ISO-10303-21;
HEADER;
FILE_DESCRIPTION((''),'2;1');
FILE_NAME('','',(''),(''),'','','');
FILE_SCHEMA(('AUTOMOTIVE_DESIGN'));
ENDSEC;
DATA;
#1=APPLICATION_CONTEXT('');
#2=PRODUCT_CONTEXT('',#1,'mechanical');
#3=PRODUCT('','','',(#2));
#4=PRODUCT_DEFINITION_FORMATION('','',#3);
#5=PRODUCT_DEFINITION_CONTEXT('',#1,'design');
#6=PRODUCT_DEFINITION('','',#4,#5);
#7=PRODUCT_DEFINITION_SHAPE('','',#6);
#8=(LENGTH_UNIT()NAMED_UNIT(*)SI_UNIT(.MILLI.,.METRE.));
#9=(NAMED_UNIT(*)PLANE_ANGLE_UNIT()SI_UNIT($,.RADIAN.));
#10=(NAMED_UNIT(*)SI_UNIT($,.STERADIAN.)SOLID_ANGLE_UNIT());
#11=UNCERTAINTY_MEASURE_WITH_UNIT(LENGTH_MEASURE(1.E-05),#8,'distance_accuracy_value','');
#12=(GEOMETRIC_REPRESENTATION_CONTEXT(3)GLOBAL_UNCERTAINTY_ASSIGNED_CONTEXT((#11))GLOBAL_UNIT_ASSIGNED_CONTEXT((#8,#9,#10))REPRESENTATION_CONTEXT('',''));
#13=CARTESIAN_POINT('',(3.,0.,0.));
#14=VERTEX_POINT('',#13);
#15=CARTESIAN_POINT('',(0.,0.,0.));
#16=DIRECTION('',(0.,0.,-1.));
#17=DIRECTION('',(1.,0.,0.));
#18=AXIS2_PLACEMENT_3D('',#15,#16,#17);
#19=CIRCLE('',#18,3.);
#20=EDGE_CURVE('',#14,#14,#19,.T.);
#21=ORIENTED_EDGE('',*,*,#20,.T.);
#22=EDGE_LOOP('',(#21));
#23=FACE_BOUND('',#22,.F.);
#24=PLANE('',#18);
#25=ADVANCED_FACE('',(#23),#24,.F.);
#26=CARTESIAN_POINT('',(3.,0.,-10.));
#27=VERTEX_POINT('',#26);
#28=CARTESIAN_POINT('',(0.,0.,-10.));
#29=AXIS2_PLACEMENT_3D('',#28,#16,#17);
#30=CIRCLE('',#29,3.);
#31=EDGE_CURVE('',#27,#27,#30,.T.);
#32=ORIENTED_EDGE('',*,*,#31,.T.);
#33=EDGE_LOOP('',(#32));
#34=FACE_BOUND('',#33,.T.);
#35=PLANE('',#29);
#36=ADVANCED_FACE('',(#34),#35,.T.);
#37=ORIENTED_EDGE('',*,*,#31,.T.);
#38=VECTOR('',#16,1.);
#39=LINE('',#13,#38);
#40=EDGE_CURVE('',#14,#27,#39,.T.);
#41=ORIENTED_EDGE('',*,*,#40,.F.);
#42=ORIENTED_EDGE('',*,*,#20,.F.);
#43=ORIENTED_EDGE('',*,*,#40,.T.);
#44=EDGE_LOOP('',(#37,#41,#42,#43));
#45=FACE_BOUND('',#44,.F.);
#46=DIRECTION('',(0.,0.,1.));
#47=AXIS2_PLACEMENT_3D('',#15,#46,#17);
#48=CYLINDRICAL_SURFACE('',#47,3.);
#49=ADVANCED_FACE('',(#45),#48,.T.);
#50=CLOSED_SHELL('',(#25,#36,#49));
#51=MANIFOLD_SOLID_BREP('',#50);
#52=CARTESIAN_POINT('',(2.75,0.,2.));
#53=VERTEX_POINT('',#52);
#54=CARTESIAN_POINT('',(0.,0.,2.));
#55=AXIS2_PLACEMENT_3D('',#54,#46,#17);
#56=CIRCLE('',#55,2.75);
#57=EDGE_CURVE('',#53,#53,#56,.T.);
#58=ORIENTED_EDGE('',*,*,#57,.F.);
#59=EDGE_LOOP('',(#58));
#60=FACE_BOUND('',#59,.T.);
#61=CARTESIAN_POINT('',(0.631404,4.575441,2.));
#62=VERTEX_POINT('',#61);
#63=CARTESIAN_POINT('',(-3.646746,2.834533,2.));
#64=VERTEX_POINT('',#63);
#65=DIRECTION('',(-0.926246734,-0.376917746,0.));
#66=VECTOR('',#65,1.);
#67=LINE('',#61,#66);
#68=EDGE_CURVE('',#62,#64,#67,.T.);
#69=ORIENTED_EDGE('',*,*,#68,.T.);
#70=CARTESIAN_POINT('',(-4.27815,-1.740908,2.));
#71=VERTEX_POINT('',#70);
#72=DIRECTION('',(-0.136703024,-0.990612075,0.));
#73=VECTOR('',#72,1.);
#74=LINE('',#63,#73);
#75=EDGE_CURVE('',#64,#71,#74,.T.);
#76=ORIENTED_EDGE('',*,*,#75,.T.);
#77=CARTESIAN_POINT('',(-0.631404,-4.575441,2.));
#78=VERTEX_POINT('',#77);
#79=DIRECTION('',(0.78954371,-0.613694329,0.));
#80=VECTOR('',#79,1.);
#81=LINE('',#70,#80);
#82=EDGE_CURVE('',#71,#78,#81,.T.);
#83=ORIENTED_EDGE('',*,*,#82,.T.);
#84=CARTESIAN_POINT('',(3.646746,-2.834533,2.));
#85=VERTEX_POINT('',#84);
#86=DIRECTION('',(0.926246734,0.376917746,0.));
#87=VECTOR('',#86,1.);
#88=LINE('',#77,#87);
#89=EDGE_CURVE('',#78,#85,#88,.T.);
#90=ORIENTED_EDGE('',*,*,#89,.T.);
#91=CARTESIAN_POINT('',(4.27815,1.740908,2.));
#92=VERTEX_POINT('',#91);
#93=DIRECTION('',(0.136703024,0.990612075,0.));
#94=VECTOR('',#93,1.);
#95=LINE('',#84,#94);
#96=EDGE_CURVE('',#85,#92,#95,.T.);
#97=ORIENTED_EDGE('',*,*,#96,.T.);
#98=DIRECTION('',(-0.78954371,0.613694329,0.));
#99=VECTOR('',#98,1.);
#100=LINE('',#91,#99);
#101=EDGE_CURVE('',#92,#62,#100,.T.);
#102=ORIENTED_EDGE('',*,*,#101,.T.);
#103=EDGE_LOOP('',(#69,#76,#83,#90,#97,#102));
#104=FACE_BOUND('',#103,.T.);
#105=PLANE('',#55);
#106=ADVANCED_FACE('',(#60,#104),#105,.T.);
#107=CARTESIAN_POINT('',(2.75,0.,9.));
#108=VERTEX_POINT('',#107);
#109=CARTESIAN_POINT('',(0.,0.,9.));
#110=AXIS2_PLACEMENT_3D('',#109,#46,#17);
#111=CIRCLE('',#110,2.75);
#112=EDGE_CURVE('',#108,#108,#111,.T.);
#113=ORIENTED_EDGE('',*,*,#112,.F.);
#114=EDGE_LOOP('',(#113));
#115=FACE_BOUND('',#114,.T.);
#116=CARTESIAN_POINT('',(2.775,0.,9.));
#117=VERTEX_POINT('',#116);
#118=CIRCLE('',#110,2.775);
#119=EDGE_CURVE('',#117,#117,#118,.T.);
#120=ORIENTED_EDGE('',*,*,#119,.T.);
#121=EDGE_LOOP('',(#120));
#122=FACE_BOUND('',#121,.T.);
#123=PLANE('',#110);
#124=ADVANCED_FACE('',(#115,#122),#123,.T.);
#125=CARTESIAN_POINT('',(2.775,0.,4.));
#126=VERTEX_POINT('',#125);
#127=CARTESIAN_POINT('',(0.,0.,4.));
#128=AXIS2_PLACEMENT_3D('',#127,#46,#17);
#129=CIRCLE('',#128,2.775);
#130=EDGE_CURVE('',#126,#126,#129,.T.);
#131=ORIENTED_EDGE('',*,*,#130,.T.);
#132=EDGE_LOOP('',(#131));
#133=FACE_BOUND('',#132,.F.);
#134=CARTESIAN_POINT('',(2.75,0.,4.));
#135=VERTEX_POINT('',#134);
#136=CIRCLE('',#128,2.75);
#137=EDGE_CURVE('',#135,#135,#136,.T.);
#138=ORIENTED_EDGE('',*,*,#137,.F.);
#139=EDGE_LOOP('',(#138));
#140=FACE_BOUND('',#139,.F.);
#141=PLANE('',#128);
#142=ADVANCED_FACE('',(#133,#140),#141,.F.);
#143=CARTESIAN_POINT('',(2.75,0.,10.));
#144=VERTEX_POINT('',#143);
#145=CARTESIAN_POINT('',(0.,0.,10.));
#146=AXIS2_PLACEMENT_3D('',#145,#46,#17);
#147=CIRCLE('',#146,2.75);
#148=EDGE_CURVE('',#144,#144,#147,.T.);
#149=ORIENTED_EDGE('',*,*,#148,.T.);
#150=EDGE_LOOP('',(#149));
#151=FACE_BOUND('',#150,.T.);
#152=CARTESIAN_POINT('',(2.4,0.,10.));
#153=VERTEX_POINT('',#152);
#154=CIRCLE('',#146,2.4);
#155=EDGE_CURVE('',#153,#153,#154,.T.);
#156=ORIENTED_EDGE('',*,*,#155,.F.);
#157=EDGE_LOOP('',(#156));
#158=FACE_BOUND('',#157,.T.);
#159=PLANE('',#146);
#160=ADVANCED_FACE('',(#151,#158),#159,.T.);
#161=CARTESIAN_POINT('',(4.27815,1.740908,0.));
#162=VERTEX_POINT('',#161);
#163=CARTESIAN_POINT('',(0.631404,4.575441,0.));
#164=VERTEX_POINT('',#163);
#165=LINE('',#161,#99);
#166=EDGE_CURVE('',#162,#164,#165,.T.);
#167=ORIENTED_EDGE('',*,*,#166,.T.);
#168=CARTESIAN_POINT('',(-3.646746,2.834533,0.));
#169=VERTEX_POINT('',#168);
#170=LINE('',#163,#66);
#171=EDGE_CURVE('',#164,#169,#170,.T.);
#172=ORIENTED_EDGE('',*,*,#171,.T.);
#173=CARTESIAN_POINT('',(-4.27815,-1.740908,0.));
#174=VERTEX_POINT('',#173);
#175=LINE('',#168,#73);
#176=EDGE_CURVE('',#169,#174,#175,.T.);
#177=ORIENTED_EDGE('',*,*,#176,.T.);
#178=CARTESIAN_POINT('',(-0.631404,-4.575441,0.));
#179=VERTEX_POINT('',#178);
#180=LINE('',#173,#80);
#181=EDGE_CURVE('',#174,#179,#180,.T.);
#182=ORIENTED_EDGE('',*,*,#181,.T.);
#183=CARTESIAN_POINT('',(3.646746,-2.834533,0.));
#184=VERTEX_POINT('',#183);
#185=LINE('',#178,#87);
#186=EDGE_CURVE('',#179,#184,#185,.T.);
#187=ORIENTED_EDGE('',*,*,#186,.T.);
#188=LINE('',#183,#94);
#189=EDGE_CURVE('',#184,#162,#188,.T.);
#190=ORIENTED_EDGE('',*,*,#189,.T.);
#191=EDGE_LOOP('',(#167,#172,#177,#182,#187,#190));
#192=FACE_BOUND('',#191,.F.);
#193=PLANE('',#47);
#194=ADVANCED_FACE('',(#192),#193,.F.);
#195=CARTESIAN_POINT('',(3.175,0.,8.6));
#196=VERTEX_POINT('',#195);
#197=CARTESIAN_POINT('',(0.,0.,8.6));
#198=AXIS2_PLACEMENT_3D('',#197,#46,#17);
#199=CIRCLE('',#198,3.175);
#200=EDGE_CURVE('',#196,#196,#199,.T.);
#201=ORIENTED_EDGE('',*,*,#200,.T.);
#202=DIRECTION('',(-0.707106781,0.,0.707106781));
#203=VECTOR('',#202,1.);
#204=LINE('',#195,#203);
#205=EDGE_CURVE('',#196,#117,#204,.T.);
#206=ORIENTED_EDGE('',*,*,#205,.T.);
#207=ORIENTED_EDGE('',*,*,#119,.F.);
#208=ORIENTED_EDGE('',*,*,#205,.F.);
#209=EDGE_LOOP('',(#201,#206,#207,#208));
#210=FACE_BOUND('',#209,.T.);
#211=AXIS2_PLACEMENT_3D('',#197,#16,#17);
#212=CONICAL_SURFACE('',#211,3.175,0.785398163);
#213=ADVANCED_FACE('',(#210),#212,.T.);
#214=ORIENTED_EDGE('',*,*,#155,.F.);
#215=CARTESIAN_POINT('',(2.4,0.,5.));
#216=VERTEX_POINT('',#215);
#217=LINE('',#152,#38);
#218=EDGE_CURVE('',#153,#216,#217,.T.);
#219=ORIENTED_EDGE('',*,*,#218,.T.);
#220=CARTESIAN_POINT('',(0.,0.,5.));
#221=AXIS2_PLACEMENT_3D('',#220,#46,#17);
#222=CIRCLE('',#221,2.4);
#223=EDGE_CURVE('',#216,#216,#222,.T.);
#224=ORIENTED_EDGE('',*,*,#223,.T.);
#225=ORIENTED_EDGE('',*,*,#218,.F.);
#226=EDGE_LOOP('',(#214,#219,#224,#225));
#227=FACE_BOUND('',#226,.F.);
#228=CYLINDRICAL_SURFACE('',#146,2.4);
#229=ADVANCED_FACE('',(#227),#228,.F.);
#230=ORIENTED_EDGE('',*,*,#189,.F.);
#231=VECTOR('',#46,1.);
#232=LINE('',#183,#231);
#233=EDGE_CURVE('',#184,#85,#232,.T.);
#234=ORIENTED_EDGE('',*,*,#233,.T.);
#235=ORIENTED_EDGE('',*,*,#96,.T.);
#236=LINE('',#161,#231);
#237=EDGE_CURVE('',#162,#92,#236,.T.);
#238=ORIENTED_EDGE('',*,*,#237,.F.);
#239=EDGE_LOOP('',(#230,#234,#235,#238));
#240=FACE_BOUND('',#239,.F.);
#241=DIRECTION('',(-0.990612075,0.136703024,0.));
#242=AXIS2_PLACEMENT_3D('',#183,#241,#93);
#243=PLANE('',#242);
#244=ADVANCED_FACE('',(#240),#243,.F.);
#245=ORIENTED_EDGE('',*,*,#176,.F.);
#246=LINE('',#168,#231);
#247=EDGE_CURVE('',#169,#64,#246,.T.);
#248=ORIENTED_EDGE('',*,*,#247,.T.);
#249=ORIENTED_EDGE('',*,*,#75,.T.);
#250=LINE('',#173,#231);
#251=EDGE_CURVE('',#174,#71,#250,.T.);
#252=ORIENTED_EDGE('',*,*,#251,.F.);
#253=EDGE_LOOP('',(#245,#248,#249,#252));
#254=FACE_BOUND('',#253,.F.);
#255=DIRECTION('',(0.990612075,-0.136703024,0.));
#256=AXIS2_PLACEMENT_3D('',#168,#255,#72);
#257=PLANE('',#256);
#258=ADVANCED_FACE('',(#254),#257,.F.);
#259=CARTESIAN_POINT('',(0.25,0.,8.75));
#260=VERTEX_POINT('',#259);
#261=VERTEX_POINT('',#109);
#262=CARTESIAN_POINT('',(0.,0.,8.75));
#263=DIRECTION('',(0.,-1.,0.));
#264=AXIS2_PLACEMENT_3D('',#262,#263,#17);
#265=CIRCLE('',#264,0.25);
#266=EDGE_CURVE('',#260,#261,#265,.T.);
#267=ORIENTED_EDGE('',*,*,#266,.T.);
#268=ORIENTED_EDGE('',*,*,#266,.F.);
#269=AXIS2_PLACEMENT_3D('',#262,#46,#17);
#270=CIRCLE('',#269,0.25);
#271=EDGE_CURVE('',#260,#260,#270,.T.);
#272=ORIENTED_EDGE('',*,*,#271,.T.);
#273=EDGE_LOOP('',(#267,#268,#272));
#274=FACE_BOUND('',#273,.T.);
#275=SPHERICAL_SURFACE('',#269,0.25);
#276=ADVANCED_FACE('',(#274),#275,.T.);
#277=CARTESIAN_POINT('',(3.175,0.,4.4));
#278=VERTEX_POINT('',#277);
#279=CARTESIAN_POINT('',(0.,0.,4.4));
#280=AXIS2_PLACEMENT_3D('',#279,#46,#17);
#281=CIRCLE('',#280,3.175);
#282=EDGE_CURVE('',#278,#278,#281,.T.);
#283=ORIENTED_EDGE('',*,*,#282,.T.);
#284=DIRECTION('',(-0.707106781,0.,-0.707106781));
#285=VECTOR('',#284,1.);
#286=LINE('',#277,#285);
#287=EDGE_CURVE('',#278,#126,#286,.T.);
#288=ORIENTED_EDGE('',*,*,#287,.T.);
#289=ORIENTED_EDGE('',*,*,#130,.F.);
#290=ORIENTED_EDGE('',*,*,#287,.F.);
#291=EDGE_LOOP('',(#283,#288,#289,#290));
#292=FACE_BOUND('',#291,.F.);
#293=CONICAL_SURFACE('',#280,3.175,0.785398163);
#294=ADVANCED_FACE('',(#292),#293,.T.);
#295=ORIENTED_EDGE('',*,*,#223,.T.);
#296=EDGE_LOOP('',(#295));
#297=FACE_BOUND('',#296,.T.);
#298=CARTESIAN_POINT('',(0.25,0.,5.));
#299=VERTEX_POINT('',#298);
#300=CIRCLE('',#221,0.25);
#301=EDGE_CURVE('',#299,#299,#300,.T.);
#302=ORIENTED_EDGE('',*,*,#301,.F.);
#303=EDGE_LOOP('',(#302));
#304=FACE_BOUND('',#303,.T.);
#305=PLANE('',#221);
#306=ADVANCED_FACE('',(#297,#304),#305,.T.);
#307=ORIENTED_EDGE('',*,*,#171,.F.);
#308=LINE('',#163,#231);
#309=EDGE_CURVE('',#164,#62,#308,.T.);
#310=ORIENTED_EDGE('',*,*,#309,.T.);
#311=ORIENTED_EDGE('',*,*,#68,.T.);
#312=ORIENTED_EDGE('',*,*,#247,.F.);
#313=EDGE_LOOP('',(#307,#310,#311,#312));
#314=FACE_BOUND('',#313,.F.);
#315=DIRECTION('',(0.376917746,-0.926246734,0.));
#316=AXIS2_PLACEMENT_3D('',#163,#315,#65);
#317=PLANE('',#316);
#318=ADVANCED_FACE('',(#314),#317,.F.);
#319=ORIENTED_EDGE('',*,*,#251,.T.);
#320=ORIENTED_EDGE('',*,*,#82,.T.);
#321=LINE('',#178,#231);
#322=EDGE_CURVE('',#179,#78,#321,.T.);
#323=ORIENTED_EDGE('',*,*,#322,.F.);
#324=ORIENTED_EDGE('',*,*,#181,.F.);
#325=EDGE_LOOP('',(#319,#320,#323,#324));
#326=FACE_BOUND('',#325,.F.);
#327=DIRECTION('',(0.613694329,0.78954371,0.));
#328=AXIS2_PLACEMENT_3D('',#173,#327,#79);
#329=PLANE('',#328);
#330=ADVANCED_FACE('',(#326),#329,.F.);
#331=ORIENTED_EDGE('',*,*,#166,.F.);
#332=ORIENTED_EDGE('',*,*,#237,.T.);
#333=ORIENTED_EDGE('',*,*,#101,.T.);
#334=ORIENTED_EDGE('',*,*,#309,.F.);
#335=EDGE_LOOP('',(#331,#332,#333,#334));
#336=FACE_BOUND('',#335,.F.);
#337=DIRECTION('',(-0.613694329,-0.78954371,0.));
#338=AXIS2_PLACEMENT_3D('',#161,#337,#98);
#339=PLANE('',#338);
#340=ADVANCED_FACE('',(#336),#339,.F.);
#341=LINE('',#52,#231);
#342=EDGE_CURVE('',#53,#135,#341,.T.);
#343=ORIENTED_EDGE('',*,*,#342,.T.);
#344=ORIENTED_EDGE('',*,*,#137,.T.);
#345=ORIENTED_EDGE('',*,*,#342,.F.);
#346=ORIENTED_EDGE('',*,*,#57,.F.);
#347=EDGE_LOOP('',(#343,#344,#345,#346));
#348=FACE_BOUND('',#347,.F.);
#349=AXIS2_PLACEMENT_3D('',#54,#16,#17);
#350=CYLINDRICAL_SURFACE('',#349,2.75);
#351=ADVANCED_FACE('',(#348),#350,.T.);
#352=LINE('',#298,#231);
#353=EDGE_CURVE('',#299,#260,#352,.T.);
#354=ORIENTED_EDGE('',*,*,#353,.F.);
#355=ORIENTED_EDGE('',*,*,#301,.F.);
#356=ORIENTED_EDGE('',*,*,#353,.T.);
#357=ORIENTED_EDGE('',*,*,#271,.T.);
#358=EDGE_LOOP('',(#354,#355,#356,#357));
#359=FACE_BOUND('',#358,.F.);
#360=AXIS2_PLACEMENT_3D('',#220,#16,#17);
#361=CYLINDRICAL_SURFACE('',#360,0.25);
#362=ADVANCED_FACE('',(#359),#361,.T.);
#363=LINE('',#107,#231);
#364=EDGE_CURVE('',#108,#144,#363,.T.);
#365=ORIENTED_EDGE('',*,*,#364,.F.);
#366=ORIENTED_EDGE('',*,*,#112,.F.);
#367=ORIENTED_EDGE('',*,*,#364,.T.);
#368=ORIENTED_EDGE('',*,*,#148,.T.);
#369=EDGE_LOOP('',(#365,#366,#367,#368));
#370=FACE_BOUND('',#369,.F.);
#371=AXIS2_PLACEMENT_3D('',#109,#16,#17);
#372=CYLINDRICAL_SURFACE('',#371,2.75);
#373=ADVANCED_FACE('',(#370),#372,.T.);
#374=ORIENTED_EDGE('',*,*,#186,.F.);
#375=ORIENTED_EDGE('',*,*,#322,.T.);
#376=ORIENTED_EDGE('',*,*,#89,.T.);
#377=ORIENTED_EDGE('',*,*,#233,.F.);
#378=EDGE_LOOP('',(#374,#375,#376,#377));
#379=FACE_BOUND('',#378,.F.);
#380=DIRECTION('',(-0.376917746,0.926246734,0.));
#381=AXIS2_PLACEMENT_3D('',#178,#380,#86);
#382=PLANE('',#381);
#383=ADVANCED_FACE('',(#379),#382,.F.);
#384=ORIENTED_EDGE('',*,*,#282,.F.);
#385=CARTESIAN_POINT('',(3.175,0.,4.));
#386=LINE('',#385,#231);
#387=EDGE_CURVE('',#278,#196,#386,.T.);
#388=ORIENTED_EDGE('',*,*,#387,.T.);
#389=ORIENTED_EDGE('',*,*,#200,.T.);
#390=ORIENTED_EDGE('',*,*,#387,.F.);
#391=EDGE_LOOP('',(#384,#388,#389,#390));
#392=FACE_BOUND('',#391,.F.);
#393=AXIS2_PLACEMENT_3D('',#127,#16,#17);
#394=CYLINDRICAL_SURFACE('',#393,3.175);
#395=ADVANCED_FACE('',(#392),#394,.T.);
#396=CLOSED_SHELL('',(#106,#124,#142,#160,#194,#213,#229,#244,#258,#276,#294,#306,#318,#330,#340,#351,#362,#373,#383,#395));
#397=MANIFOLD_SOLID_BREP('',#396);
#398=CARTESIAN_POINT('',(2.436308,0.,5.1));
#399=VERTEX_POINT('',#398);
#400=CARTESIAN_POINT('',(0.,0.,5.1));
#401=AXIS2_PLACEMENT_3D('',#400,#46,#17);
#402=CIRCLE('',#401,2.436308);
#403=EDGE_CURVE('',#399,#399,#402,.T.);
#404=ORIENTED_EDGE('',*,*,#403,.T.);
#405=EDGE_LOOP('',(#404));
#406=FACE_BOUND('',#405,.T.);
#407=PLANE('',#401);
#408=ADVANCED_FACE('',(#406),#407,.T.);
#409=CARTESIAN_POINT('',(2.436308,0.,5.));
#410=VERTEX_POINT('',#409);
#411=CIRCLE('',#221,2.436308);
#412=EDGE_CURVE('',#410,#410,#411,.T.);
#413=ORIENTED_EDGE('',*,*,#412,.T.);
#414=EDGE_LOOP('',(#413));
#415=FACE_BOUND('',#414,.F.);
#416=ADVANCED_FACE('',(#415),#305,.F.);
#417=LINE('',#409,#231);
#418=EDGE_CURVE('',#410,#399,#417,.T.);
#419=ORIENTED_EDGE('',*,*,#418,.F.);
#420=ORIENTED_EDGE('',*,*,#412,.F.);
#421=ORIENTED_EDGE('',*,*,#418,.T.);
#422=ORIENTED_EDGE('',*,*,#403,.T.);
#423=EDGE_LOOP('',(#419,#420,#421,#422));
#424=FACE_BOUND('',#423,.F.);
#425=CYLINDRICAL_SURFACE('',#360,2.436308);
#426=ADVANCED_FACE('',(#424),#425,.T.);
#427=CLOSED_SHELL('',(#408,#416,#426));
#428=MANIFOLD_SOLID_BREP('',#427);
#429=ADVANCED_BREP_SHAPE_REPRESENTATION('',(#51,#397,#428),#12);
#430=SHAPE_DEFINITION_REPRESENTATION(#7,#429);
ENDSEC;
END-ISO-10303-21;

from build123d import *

# Parameters (mm, degrees)
F1_DEPTH  = 2
F2_R      = 2.75
F3_DEPTH  = 2
F4_R      = 3.175
F5_DEPTH  = 5
F6_R      = 2.75
F7_DEPTH  = 1
F8_SIZE   = 0.4
F9_SIZE   = 0.4
F10_R     = 2.4
F11_DEPTH = 5
F12_R     = 0.25
F13_DEPTH = 4
F14_R     = 0.25
F15_R     = 3
F16_DEPTH = 10
F17_R     = 2.4363080126
F18_DEPTH = 0.1


with BuildPart() as f1:
    # F0 (on Top) → F1 (new body)
    with BuildSketch(Plane.XY):
        Polygon((0.631404222, 4.5754411855), (-3.6467461891, 2.834532689), (-4.2781504111, -1.7409084964), (-0.631404222, -4.5754411855), (3.6467461891, -2.834532689), (4.2781504111, 1.7409084964), align=None)
    extrude(amount=F1_DEPTH)

    # F2 (on face) → F3 (join)
    with BuildSketch(Plane.XY.offset(2)):
        Circle(F2_R)
    extrude(amount=F3_DEPTH)

    # F4 (on face) → F5 (join)
    with BuildSketch(Plane.XY.offset(4)):
        Circle(F4_R)
    extrude(amount=F5_DEPTH)

    # F6 (on face) → F7 (join)
    with BuildSketch(Plane.XY.offset(9)):
        Circle(F6_R)
    extrude(amount=F7_DEPTH)

    # F8
    f8_edges = [f1.edges().sort_by_distance(p)[0] for p in [
        (-3.175, 0, 9),
    ]]
    chamfer(f8_edges, length=F8_SIZE)

    # F9
    f9_edges = [f1.edges().sort_by_distance(p)[0] for p in [
        (-3.175, 0, 4),
    ]]
    chamfer(f9_edges, length=F9_SIZE)

    # F10 (on face) → F11 (cut)
    with BuildSketch(Plane.XY.offset(10)):
        Circle(F10_R)
    extrude(amount=-F11_DEPTH, mode=Mode.SUBTRACT)

    # F12 (on face) → F13 (join)
    with BuildSketch(Plane.XY.offset(5)):
        Circle(F12_R)
    extrude(amount=F13_DEPTH)

    # F14
    f14_edges = [f1.edges().sort_by_distance(p)[0] for p in [
        (-0.25, 0, 9),
    ]]
    fillet(f14_edges, radius=F14_R)


with BuildPart() as f16:
    # F15 (on face) → F16 (new body)
    with BuildSketch(Plane(origin=(0, 0, 0), x_dir=(1, 0, 0), z_dir=(0, 0, -1))):
        Circle(F15_R)
    extrude(amount=F16_DEPTH)


with BuildPart() as f18:
    # F17 (on face) → F18 (new body)
    with BuildSketch(Plane.XY.offset(5)):
        Circle(F17_R)
    extrude(amount=F18_DEPTH)


solid = Compound([f1.part, f16.part, f18.part])
